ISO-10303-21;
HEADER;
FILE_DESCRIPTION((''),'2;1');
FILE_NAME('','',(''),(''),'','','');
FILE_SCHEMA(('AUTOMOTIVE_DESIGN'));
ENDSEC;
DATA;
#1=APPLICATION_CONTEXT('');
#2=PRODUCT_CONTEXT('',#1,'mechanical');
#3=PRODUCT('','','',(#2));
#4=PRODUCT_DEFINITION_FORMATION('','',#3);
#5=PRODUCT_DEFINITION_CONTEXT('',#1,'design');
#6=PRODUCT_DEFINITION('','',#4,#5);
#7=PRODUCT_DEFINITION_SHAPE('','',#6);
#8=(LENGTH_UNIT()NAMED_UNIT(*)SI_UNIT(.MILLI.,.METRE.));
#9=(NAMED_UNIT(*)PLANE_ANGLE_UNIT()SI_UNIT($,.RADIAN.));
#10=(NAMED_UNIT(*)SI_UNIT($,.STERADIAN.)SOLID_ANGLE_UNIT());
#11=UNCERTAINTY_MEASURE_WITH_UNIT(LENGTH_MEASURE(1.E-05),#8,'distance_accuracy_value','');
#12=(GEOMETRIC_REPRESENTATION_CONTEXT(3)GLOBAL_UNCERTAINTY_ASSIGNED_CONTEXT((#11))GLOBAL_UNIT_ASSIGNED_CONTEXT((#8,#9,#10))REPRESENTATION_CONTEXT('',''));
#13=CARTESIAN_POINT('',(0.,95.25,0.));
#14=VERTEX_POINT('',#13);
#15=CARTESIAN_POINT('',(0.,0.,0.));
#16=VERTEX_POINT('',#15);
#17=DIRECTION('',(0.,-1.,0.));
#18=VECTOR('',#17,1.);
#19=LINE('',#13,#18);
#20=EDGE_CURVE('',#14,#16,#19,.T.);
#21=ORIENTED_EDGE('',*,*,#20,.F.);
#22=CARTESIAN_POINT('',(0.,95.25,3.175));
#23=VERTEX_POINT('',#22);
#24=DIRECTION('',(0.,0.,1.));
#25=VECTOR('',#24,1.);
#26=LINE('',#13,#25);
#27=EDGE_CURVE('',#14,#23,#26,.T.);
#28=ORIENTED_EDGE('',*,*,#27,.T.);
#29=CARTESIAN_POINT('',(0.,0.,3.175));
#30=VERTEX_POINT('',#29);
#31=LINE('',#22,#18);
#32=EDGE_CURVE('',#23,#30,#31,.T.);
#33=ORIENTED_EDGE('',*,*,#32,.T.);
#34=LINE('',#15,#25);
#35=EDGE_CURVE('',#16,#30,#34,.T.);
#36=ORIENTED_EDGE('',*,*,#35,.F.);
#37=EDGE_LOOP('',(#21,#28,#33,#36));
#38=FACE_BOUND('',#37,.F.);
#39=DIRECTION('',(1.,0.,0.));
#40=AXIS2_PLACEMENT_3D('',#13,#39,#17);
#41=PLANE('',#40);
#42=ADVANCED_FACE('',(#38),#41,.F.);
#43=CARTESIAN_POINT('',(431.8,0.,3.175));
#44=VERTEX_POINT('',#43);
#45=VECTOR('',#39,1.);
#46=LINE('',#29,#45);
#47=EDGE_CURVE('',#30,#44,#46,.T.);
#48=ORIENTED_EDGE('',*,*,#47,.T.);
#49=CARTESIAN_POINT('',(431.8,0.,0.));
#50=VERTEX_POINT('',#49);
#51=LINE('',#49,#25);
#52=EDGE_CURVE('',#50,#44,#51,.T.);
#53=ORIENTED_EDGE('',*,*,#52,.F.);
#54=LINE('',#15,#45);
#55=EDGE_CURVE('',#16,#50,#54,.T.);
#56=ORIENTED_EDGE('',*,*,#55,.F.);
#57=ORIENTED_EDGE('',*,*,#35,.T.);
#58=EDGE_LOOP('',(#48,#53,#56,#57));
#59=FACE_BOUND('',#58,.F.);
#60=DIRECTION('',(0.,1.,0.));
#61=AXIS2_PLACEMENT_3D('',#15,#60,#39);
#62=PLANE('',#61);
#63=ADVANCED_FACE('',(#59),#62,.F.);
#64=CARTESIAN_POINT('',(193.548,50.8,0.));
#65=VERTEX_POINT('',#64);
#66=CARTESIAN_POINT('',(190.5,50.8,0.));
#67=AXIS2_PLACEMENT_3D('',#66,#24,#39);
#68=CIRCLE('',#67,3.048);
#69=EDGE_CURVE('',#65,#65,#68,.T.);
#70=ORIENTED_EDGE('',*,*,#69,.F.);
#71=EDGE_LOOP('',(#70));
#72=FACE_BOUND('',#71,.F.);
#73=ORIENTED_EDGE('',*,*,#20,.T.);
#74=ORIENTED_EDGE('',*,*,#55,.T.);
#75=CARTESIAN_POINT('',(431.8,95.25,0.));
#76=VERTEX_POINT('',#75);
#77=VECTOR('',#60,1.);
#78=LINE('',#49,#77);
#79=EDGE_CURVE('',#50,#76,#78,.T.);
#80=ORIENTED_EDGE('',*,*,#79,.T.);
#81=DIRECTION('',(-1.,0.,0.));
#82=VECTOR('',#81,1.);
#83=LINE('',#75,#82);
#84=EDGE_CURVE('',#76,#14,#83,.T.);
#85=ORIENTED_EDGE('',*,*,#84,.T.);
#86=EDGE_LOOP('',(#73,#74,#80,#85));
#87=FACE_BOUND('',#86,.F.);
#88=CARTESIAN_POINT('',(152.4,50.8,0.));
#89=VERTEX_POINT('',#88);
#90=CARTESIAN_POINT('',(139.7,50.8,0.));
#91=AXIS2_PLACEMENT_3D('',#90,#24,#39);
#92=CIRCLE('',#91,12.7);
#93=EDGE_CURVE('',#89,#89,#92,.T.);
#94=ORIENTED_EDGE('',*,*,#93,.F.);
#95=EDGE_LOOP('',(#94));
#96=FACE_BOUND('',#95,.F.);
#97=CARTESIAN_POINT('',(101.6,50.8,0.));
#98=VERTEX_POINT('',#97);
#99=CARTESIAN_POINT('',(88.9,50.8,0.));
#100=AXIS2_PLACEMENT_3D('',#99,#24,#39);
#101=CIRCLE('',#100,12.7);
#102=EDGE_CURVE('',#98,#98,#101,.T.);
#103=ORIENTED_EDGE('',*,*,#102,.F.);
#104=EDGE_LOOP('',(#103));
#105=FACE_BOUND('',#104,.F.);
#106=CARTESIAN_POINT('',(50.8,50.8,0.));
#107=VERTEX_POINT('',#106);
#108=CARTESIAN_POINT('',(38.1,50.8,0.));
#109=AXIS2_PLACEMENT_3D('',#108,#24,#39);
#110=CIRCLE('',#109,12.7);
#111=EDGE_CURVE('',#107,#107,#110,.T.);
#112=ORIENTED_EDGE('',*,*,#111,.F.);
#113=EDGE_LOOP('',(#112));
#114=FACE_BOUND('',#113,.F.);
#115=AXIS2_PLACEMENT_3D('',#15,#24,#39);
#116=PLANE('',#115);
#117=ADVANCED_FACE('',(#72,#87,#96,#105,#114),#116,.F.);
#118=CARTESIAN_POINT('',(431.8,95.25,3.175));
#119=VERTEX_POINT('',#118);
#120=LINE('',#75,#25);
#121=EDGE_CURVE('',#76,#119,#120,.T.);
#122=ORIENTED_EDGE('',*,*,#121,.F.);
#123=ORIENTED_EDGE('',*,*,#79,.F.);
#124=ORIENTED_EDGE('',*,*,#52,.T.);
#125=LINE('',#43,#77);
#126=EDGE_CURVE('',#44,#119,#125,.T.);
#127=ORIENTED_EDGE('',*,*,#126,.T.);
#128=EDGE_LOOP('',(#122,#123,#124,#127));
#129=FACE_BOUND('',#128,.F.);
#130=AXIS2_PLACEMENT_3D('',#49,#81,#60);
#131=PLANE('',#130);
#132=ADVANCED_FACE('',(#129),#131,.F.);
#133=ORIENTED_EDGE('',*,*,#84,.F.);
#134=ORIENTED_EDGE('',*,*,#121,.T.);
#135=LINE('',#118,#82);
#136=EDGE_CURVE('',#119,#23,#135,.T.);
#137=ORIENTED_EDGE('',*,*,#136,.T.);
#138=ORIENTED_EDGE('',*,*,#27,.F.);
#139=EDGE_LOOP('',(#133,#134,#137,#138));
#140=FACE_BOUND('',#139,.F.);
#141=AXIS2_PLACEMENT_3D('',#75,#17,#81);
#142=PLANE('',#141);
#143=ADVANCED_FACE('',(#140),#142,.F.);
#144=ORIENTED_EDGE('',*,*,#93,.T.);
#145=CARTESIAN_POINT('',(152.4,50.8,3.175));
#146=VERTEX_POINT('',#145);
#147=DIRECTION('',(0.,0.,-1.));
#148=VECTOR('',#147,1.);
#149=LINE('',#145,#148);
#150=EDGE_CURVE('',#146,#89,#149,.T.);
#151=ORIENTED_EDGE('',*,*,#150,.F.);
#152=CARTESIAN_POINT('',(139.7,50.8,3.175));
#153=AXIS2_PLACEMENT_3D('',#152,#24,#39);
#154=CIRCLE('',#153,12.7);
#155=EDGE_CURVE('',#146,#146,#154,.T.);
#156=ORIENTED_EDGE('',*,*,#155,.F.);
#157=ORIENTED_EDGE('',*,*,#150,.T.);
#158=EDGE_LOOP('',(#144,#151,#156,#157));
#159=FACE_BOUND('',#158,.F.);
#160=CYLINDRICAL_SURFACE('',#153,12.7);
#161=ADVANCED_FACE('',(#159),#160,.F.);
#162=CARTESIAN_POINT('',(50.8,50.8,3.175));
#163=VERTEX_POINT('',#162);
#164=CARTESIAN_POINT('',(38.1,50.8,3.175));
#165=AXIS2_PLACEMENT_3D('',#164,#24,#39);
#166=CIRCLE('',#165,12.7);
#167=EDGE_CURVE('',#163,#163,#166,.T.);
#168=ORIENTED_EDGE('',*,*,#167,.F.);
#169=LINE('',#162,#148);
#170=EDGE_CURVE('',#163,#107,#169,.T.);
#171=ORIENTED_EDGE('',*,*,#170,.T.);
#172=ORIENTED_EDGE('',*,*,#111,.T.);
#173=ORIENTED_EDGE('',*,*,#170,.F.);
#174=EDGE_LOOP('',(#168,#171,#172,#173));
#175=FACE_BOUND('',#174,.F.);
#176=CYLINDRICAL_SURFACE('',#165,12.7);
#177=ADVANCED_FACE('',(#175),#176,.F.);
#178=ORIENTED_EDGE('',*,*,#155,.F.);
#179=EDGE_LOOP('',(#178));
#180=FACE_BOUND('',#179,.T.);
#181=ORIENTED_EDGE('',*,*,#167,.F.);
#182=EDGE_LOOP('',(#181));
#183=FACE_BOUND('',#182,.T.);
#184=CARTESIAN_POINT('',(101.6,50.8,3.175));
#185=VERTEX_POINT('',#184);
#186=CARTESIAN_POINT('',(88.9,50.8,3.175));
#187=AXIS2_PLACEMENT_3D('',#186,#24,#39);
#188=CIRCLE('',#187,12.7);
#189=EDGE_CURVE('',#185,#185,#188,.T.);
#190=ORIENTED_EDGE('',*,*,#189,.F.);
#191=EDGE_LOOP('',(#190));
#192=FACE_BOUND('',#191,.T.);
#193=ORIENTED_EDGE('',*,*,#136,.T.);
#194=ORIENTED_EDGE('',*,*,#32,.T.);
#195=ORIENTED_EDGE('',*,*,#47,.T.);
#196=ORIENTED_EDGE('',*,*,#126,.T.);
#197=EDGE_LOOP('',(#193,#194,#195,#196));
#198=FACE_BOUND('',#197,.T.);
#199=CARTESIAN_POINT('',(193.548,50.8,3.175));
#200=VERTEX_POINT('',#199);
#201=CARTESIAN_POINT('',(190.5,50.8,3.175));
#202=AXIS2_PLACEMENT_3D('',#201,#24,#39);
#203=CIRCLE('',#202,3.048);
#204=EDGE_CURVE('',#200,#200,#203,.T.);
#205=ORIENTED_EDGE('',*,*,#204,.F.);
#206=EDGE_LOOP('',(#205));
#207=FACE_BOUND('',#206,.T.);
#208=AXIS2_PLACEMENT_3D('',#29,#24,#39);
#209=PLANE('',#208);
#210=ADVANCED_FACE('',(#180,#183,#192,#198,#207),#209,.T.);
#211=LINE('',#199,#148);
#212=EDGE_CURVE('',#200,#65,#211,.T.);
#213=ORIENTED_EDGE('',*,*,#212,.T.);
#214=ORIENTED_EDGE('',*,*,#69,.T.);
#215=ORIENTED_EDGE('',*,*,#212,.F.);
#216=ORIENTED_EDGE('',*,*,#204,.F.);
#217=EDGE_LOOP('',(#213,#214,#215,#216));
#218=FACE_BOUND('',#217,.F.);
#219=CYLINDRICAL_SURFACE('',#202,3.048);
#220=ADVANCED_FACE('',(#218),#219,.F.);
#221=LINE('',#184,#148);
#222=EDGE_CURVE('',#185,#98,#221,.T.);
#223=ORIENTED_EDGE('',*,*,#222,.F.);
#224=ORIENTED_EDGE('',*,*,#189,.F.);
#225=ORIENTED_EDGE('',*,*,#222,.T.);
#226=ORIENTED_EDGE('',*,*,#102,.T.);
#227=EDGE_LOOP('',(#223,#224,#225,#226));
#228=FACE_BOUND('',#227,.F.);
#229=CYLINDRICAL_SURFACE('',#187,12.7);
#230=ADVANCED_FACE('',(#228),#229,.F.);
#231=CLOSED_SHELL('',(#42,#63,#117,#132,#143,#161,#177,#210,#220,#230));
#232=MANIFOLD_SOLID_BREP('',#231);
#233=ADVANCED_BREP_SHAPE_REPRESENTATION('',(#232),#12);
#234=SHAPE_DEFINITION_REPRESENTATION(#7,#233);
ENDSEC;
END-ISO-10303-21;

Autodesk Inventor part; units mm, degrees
ref_plane "YZ Plane" through (0, 0, 0) normal (1, 0, 0) x (0, 1, 0)
ref_plane "XZ Plane" through (0, 0, 0) normal (0, 1, 0) x (-1, 0, 0)
ref_plane "XY Plane" through (0, 0, 0) normal (0, 0, 1) x (1, 0, 0)
sketch "Sketch1" plane through (0, 0, 0) normal (0, 0, 1) x (1, 0, 0)
  line L0 (0, 0) -> (431.8, 0)
  line L1 (431.8, 0) -> (431.8, 95.25)
  line L2 (431.8, 95.25) -> (0, 95.25)
  line L3 (0, 95.25) -> (0, 0)
  dimension "d0" = 431.8
  dimension "d1" = 95.25
extrude "Extrusion1" add sketch "Sketch1" along normal blind 3.175
sketch "Sketch2" plane through (0, 0, 3.175) normal (0, 0, 1) x (1, 0, 0)
  line L0 (0, 0) -> (38.1, 0)
  line L1 (0, 50.8) -> (0, 0)
  circle A0 centre (38.1, 50.8) radius 12.7
  circle A1 centre (88.9, 50.8) radius 12.7
  circle A2 centre (139.7, 50.8) radius 12.7
  circle A3 centre (190.5, 50.8) radius 3.048
  dimension "d6" = 25.4
  dimension "d18" = 6.096
extrude "Extrusion2" cut sketch "Sketch2" against normal blind 25.4
properties part number "220207 Front Bottom"
